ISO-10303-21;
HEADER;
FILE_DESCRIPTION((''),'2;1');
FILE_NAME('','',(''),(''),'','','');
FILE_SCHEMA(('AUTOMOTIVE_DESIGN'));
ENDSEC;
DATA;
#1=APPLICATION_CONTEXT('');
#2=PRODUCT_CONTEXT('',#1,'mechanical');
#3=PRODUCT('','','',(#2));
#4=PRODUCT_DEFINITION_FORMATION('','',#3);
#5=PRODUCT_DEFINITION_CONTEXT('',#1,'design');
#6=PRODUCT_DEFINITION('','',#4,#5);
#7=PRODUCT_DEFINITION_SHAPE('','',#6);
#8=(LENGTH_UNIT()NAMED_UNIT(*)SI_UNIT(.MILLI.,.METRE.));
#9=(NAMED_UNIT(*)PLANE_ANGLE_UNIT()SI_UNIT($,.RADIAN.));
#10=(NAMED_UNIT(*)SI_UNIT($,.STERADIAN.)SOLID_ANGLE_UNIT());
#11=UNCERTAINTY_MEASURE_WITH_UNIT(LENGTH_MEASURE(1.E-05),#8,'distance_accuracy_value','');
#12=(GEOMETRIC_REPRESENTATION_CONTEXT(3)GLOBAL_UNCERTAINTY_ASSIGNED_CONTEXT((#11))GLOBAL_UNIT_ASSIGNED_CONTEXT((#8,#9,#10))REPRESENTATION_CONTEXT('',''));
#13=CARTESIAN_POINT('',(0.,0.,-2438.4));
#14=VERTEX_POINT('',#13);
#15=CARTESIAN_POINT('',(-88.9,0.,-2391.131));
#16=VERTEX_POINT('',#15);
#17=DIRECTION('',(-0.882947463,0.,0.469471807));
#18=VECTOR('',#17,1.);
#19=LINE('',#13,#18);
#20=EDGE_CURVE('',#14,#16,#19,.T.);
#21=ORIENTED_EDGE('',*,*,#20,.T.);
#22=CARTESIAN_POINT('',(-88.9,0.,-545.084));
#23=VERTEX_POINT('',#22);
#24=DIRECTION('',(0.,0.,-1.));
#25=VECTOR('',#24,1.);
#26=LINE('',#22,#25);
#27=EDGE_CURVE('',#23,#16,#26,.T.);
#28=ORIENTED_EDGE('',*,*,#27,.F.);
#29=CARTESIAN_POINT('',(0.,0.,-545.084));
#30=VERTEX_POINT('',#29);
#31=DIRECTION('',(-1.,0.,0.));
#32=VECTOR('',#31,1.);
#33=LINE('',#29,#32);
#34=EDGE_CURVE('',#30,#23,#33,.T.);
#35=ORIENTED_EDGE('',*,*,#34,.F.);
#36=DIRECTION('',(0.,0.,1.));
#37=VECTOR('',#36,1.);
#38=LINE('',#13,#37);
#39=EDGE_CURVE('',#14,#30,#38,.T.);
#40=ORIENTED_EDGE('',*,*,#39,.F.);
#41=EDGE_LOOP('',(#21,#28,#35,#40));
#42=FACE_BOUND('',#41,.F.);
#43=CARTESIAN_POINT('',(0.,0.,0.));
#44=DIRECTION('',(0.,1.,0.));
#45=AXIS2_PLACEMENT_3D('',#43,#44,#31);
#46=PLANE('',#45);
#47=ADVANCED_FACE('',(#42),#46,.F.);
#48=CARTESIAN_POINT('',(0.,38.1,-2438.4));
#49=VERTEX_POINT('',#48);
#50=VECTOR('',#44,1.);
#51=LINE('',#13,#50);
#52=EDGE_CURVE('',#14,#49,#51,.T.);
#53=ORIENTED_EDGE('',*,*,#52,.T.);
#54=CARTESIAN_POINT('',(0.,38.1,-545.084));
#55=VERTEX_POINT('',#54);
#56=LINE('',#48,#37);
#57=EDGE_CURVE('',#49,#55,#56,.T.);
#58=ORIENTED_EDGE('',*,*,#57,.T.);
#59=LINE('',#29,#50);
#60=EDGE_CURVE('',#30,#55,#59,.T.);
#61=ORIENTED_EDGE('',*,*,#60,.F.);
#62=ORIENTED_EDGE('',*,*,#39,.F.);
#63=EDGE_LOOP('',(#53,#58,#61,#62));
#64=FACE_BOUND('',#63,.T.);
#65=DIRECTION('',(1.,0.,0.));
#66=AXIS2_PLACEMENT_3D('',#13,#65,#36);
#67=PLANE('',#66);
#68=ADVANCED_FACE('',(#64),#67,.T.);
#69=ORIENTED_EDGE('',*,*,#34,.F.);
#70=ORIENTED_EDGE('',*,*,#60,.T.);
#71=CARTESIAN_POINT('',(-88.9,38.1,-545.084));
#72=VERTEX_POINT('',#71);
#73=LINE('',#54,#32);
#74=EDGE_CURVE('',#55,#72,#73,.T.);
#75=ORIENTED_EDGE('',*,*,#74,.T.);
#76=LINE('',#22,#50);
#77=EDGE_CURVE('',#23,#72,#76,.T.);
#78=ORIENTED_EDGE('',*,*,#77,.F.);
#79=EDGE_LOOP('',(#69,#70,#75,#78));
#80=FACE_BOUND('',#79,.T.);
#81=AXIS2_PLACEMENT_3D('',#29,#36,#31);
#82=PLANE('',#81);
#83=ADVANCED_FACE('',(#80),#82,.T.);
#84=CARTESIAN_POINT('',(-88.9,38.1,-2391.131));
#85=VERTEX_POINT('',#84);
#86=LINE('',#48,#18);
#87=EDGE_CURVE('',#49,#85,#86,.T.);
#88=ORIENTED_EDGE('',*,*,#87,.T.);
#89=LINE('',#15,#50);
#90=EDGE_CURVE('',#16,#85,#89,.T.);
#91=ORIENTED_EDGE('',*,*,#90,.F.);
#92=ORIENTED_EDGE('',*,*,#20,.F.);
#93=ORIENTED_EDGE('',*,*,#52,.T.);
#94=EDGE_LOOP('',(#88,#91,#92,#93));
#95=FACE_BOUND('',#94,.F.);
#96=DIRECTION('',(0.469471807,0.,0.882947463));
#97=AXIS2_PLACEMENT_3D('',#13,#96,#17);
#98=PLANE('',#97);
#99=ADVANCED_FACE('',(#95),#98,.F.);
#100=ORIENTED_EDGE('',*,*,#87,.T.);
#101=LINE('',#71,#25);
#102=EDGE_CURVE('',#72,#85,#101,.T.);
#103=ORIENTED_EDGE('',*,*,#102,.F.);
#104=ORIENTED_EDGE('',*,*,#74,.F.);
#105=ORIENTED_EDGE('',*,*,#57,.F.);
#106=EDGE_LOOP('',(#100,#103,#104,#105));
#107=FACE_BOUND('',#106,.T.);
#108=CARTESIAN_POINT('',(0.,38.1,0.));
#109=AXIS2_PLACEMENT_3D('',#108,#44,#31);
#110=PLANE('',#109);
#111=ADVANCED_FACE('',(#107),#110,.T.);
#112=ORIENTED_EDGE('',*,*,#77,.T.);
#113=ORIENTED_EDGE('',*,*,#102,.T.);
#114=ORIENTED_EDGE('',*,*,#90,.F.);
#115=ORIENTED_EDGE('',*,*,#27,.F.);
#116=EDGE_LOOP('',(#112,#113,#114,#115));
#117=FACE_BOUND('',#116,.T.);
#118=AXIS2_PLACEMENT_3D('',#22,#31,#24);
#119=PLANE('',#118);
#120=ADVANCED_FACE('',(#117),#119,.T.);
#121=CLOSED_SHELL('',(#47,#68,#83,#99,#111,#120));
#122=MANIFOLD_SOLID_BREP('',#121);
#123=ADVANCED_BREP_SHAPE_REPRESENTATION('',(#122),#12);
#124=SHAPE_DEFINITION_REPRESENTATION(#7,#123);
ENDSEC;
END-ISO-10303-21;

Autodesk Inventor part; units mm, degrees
ref_plane "YZ Plane" through (0, 0, 0) normal (1, 0, 0) x (0, 1, 0)
ref_plane "XZ Plane" through (0, 0, 0) normal (0, 1, 0) x (-1, 0, 0)
ref_plane "XY Plane" through (0, 0, 0) normal (0, 0, 1) x (1, 0, 0)
sketch "Sketch1" plane through (0, 0, 0) normal (0, 1, 0) x (-1, 0, 0)
  line L0 (88.9, -545.084) -> (88.9, -2391.131)
  line L1 (0, -2438.4) -> (88.9, -2391.131)
  line L2 (0, -2438.4) -> (107.992, -2438.4) construction
  line L3 (0, -2438.4) -> (0, -545.084)
  line L4 (0, -2438.4) -> (0, -545.084)
  line L5 (0, -2438.4) -> (0, -545.084)
  line L6 (0, -545.084) -> (88.9, -545.084)
  point P0 (0, 0)
extrude "Extrusion1" add sketch "Sketch1" along normal blind 38.1
properties part number "S_2x4x96"
